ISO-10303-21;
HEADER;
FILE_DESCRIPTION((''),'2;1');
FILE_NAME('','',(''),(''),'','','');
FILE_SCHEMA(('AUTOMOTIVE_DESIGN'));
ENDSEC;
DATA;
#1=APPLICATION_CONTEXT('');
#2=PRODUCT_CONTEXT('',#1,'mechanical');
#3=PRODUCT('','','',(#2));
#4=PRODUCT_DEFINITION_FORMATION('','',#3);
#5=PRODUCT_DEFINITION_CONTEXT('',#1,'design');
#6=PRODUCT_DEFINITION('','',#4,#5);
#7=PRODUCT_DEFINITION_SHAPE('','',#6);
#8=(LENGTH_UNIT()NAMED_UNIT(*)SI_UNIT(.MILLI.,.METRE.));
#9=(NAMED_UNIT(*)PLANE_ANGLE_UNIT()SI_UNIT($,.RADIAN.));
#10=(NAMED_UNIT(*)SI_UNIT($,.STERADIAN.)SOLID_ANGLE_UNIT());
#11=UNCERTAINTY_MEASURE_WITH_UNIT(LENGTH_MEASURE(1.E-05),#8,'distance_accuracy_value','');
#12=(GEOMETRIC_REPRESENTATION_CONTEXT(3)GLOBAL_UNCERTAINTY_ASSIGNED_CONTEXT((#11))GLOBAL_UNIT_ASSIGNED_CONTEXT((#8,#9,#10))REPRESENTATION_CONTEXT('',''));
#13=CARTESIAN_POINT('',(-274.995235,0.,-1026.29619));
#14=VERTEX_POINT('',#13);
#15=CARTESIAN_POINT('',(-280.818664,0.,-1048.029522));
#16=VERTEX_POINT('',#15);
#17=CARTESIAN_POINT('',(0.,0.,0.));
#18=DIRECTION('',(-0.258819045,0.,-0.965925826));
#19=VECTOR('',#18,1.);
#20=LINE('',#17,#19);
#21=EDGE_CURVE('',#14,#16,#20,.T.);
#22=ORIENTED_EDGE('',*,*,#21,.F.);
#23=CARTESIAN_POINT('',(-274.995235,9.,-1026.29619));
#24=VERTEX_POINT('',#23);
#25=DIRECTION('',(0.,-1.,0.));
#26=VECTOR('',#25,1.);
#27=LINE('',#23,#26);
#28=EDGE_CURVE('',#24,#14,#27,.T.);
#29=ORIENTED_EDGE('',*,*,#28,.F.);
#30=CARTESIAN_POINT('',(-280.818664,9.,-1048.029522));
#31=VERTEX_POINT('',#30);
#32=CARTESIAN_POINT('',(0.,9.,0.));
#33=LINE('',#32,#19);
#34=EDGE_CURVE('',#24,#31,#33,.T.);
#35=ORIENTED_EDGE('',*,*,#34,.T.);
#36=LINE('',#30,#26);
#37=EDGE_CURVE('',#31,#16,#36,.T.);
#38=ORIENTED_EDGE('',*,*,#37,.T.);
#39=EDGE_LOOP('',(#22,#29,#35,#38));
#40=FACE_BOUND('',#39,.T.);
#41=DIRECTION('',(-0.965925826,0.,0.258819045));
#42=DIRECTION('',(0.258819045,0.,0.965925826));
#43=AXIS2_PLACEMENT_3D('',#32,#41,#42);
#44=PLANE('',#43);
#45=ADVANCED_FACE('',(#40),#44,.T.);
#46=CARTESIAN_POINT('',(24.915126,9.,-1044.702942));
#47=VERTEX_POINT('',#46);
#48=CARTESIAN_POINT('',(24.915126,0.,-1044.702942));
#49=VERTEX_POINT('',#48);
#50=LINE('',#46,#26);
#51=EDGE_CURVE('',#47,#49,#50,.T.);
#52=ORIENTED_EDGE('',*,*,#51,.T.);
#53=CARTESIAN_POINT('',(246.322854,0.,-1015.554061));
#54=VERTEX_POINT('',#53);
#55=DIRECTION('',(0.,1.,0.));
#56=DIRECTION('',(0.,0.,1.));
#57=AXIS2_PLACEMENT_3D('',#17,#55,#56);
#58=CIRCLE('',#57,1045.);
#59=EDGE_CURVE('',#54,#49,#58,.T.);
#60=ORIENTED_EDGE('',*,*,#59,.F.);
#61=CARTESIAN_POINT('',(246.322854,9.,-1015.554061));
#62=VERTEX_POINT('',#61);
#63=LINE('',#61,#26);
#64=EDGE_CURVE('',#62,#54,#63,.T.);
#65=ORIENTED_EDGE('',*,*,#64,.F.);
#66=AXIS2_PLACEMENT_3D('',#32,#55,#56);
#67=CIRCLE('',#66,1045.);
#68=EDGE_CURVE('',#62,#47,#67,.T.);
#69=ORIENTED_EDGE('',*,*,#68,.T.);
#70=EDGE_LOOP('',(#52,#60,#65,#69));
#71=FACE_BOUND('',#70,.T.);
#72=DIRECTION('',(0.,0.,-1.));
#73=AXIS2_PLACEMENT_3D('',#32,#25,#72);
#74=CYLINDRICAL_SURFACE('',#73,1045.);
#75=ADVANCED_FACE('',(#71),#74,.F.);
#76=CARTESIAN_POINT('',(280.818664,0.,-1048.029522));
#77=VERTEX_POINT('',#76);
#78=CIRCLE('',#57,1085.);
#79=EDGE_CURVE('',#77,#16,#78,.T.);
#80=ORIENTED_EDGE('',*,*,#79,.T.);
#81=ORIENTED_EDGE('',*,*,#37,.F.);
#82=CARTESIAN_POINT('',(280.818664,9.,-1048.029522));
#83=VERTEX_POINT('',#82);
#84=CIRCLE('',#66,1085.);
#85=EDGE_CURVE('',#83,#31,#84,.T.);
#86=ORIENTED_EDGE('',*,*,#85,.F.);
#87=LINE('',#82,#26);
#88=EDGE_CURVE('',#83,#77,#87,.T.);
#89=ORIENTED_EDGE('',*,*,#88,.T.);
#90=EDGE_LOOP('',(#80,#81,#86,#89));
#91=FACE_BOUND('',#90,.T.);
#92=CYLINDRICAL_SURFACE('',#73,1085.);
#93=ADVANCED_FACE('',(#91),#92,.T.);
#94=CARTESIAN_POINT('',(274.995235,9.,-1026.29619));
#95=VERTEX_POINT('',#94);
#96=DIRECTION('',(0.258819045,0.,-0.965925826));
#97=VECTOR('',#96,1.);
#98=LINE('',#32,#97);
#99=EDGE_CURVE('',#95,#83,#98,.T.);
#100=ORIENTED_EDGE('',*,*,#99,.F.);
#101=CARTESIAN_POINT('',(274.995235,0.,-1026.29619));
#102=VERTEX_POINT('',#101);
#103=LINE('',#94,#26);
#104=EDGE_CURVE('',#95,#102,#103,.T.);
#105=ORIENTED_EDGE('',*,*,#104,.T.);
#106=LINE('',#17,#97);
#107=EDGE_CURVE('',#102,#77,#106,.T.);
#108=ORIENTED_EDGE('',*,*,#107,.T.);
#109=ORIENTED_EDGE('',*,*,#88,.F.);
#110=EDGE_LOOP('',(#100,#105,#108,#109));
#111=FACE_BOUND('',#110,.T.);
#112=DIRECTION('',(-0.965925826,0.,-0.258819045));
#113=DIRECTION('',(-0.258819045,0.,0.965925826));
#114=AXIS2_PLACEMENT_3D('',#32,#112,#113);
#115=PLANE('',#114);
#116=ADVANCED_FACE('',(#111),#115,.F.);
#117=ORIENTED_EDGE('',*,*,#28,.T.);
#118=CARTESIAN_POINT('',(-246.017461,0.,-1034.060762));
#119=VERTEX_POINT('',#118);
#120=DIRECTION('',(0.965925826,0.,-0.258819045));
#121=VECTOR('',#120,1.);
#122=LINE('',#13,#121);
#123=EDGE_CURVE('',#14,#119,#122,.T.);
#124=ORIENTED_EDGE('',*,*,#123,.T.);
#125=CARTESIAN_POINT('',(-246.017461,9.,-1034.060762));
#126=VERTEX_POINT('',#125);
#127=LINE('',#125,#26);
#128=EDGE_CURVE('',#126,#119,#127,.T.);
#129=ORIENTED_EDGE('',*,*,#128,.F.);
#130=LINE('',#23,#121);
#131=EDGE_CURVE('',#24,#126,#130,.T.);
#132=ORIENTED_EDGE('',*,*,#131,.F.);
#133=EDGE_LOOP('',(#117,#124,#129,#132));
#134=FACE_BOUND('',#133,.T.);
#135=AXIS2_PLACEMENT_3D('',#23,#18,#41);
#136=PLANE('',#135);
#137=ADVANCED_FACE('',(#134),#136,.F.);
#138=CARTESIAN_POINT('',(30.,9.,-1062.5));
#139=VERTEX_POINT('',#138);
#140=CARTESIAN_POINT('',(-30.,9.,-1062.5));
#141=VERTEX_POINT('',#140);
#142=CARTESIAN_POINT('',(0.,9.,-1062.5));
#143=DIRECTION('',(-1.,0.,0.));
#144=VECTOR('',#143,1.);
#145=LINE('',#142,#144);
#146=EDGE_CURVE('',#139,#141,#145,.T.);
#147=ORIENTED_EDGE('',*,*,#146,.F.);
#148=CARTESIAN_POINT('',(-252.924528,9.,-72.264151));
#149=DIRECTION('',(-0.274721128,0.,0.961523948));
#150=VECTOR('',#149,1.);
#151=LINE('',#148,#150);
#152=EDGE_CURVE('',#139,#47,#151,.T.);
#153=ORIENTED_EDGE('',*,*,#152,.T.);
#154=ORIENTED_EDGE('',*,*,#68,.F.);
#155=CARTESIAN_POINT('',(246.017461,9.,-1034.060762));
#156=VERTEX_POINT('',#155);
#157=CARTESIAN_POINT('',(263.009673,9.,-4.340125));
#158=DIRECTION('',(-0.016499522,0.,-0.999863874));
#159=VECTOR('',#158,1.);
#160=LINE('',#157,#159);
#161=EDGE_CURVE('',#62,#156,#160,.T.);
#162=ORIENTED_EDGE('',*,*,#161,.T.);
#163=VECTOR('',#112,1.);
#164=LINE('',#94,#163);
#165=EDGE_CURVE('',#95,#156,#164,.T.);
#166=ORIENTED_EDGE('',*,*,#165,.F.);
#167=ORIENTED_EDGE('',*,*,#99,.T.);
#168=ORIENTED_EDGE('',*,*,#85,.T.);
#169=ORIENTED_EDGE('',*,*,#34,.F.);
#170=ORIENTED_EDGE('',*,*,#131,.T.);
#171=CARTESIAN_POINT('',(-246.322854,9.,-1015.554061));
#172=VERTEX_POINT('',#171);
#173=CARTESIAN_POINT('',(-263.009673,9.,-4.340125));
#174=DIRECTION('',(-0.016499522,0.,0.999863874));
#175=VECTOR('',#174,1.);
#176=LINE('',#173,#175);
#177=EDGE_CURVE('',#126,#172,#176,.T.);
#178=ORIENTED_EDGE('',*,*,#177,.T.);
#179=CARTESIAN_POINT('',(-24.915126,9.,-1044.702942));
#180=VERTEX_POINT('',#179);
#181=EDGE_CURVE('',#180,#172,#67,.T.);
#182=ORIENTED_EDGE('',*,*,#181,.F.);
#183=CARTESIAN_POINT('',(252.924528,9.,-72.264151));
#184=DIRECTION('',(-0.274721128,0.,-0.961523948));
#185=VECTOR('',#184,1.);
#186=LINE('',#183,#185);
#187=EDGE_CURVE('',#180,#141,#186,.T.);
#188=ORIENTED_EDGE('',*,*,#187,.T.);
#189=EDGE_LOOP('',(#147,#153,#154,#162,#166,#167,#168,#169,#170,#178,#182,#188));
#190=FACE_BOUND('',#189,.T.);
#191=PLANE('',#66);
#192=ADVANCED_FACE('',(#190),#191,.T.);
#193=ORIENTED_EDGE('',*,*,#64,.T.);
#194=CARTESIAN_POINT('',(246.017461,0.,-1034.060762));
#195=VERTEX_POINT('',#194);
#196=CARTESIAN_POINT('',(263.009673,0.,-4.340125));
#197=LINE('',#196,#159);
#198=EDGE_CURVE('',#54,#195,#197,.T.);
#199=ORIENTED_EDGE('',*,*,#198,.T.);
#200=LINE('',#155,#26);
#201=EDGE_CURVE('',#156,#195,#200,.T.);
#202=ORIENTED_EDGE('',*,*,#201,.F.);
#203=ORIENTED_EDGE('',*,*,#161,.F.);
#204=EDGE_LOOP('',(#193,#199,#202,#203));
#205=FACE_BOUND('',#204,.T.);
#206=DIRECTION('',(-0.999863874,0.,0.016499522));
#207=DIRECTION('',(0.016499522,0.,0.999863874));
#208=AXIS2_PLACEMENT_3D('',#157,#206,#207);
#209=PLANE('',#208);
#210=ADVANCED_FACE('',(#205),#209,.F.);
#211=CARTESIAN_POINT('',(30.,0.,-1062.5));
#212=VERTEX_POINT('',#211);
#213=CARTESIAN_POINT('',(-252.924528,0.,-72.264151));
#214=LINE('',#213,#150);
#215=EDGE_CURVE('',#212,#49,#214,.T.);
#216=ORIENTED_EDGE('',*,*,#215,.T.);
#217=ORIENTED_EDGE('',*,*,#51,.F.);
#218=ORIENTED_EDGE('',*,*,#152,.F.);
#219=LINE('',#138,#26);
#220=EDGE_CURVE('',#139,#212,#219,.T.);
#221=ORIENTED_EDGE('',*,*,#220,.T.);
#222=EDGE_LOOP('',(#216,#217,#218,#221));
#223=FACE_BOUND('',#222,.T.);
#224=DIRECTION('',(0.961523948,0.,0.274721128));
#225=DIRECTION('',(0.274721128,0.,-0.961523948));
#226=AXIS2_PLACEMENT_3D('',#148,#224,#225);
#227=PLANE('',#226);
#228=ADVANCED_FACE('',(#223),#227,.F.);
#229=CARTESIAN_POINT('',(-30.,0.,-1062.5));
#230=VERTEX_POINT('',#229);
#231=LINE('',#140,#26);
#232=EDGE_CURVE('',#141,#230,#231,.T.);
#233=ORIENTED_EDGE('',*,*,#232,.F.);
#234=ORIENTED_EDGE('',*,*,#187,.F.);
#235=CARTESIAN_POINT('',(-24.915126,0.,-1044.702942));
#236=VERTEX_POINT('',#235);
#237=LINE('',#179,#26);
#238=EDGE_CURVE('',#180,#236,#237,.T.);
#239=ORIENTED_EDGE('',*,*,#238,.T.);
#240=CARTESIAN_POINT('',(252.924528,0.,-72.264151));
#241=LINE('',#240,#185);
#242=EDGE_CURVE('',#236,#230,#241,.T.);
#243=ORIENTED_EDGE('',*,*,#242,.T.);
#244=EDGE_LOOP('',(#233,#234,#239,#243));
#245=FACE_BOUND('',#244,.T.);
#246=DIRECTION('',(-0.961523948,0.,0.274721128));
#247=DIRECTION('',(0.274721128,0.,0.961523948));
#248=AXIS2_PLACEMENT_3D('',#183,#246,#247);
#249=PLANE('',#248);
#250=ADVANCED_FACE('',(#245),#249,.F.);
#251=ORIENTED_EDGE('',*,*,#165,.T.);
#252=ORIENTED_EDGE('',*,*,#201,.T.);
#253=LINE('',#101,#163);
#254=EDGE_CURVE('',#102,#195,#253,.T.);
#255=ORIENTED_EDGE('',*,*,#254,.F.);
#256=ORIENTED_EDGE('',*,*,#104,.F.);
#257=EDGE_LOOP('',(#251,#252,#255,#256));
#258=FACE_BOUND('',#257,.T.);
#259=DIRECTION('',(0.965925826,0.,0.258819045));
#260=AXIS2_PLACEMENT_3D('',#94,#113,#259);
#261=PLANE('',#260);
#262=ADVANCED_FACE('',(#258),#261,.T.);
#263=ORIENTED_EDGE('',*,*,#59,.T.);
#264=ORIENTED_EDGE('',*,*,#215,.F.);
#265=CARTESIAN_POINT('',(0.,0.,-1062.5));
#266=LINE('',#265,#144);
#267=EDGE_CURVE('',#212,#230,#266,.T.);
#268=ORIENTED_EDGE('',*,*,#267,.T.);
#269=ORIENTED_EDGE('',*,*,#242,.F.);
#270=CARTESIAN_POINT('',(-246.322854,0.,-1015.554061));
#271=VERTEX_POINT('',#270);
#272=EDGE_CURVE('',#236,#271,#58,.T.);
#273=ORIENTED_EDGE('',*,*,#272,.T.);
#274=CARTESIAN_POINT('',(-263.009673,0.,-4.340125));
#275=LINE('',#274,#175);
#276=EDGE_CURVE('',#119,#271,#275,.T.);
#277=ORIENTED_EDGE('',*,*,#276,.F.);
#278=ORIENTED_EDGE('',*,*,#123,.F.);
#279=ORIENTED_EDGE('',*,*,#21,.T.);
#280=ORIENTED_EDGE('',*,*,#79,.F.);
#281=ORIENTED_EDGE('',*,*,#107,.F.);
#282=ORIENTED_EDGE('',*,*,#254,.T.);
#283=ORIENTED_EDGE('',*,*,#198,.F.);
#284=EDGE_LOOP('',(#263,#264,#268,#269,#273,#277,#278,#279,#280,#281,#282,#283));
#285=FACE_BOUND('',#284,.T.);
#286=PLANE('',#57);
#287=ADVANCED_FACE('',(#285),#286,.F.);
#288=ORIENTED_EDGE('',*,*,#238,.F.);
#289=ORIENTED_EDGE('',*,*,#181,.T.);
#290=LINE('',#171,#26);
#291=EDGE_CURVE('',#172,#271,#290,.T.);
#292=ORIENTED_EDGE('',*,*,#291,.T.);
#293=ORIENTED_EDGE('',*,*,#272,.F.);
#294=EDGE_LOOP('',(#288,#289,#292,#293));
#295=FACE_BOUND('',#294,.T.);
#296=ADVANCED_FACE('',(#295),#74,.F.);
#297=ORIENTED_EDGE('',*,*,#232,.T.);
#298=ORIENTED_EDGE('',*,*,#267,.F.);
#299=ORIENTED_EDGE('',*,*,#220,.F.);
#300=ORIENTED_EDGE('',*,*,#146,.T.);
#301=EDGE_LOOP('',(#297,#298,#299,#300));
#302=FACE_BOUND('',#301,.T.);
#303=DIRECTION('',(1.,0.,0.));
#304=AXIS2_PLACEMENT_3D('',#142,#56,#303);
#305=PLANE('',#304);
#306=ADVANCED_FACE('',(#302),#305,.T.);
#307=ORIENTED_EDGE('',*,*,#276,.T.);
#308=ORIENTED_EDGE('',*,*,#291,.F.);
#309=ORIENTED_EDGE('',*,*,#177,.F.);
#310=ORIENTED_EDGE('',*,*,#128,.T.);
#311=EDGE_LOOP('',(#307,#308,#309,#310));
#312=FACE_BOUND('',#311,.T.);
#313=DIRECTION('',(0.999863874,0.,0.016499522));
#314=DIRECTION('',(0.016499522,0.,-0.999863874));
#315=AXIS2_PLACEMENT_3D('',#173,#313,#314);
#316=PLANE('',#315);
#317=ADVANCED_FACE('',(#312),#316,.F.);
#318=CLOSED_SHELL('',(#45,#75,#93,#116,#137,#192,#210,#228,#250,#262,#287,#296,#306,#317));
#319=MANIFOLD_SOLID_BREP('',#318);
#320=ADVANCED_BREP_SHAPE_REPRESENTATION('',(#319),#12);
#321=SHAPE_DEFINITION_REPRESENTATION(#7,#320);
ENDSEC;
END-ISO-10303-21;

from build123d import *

# Parameters (mm, degrees)
BOSS_EXTRUDE1_DEPTH = 9


with BuildPart() as part:
    # Sketch1 → Boss-Extrude1 (new body)
    with BuildSketch(Plane(origin=(0, 0, 0), x_dir=(1, 0, 0), z_dir=(0, 1, 0))):
        with BuildLine():
            Line((-280.818663936, 1048.029521524), (-274.995235421, 1026.296190432))
            Line((-274.995235421, 1026.296190432), (-246.017460633, 1034.060761785))
            Line((-246.017460633, 1034.060761785), (-246.317756475, 1015.8629646))
            Line((-246.317756475, 1015.8629646), (-246.322853924, 1015.554061404))
            ThreePointArc((-246.322853924, 1015.554061404), (-136.39987087, 1036.059880136), (-24.915126212, 1044.702941743))
            Line((-24.915126212, 1044.702941743), (-25, 1045))
            Line((-25, 1045), (-30, 1062.5))
            Line((-30, 1062.5), (30, 1062.5))
            Line((30, 1062.5), (25, 1045))
            Line((25, 1045), (24.915126212, 1044.702941743))
            ThreePointArc((24.915126212, 1044.702941743), (136.39987087, 1036.059880136), (246.322853924, 1015.554061404))
            Line((246.322853924, 1015.554061404), (246.317756475, 1015.8629646))
            Line((246.317756475, 1015.8629646), (246.017460633, 1034.060761785))
            Line((246.017460633, 1034.060761785), (274.995235421, 1026.296190432))
            Line((274.995235421, 1026.296190432), (280.818663936, 1048.029521524))
            ThreePointArc((280.818663936, 1048.029521524), (0, 1085), (-280.818663936, 1048.029521524))
        make_face()
    extrude(amount=BOSS_EXTRUDE1_DEPTH)


solid = part.part
